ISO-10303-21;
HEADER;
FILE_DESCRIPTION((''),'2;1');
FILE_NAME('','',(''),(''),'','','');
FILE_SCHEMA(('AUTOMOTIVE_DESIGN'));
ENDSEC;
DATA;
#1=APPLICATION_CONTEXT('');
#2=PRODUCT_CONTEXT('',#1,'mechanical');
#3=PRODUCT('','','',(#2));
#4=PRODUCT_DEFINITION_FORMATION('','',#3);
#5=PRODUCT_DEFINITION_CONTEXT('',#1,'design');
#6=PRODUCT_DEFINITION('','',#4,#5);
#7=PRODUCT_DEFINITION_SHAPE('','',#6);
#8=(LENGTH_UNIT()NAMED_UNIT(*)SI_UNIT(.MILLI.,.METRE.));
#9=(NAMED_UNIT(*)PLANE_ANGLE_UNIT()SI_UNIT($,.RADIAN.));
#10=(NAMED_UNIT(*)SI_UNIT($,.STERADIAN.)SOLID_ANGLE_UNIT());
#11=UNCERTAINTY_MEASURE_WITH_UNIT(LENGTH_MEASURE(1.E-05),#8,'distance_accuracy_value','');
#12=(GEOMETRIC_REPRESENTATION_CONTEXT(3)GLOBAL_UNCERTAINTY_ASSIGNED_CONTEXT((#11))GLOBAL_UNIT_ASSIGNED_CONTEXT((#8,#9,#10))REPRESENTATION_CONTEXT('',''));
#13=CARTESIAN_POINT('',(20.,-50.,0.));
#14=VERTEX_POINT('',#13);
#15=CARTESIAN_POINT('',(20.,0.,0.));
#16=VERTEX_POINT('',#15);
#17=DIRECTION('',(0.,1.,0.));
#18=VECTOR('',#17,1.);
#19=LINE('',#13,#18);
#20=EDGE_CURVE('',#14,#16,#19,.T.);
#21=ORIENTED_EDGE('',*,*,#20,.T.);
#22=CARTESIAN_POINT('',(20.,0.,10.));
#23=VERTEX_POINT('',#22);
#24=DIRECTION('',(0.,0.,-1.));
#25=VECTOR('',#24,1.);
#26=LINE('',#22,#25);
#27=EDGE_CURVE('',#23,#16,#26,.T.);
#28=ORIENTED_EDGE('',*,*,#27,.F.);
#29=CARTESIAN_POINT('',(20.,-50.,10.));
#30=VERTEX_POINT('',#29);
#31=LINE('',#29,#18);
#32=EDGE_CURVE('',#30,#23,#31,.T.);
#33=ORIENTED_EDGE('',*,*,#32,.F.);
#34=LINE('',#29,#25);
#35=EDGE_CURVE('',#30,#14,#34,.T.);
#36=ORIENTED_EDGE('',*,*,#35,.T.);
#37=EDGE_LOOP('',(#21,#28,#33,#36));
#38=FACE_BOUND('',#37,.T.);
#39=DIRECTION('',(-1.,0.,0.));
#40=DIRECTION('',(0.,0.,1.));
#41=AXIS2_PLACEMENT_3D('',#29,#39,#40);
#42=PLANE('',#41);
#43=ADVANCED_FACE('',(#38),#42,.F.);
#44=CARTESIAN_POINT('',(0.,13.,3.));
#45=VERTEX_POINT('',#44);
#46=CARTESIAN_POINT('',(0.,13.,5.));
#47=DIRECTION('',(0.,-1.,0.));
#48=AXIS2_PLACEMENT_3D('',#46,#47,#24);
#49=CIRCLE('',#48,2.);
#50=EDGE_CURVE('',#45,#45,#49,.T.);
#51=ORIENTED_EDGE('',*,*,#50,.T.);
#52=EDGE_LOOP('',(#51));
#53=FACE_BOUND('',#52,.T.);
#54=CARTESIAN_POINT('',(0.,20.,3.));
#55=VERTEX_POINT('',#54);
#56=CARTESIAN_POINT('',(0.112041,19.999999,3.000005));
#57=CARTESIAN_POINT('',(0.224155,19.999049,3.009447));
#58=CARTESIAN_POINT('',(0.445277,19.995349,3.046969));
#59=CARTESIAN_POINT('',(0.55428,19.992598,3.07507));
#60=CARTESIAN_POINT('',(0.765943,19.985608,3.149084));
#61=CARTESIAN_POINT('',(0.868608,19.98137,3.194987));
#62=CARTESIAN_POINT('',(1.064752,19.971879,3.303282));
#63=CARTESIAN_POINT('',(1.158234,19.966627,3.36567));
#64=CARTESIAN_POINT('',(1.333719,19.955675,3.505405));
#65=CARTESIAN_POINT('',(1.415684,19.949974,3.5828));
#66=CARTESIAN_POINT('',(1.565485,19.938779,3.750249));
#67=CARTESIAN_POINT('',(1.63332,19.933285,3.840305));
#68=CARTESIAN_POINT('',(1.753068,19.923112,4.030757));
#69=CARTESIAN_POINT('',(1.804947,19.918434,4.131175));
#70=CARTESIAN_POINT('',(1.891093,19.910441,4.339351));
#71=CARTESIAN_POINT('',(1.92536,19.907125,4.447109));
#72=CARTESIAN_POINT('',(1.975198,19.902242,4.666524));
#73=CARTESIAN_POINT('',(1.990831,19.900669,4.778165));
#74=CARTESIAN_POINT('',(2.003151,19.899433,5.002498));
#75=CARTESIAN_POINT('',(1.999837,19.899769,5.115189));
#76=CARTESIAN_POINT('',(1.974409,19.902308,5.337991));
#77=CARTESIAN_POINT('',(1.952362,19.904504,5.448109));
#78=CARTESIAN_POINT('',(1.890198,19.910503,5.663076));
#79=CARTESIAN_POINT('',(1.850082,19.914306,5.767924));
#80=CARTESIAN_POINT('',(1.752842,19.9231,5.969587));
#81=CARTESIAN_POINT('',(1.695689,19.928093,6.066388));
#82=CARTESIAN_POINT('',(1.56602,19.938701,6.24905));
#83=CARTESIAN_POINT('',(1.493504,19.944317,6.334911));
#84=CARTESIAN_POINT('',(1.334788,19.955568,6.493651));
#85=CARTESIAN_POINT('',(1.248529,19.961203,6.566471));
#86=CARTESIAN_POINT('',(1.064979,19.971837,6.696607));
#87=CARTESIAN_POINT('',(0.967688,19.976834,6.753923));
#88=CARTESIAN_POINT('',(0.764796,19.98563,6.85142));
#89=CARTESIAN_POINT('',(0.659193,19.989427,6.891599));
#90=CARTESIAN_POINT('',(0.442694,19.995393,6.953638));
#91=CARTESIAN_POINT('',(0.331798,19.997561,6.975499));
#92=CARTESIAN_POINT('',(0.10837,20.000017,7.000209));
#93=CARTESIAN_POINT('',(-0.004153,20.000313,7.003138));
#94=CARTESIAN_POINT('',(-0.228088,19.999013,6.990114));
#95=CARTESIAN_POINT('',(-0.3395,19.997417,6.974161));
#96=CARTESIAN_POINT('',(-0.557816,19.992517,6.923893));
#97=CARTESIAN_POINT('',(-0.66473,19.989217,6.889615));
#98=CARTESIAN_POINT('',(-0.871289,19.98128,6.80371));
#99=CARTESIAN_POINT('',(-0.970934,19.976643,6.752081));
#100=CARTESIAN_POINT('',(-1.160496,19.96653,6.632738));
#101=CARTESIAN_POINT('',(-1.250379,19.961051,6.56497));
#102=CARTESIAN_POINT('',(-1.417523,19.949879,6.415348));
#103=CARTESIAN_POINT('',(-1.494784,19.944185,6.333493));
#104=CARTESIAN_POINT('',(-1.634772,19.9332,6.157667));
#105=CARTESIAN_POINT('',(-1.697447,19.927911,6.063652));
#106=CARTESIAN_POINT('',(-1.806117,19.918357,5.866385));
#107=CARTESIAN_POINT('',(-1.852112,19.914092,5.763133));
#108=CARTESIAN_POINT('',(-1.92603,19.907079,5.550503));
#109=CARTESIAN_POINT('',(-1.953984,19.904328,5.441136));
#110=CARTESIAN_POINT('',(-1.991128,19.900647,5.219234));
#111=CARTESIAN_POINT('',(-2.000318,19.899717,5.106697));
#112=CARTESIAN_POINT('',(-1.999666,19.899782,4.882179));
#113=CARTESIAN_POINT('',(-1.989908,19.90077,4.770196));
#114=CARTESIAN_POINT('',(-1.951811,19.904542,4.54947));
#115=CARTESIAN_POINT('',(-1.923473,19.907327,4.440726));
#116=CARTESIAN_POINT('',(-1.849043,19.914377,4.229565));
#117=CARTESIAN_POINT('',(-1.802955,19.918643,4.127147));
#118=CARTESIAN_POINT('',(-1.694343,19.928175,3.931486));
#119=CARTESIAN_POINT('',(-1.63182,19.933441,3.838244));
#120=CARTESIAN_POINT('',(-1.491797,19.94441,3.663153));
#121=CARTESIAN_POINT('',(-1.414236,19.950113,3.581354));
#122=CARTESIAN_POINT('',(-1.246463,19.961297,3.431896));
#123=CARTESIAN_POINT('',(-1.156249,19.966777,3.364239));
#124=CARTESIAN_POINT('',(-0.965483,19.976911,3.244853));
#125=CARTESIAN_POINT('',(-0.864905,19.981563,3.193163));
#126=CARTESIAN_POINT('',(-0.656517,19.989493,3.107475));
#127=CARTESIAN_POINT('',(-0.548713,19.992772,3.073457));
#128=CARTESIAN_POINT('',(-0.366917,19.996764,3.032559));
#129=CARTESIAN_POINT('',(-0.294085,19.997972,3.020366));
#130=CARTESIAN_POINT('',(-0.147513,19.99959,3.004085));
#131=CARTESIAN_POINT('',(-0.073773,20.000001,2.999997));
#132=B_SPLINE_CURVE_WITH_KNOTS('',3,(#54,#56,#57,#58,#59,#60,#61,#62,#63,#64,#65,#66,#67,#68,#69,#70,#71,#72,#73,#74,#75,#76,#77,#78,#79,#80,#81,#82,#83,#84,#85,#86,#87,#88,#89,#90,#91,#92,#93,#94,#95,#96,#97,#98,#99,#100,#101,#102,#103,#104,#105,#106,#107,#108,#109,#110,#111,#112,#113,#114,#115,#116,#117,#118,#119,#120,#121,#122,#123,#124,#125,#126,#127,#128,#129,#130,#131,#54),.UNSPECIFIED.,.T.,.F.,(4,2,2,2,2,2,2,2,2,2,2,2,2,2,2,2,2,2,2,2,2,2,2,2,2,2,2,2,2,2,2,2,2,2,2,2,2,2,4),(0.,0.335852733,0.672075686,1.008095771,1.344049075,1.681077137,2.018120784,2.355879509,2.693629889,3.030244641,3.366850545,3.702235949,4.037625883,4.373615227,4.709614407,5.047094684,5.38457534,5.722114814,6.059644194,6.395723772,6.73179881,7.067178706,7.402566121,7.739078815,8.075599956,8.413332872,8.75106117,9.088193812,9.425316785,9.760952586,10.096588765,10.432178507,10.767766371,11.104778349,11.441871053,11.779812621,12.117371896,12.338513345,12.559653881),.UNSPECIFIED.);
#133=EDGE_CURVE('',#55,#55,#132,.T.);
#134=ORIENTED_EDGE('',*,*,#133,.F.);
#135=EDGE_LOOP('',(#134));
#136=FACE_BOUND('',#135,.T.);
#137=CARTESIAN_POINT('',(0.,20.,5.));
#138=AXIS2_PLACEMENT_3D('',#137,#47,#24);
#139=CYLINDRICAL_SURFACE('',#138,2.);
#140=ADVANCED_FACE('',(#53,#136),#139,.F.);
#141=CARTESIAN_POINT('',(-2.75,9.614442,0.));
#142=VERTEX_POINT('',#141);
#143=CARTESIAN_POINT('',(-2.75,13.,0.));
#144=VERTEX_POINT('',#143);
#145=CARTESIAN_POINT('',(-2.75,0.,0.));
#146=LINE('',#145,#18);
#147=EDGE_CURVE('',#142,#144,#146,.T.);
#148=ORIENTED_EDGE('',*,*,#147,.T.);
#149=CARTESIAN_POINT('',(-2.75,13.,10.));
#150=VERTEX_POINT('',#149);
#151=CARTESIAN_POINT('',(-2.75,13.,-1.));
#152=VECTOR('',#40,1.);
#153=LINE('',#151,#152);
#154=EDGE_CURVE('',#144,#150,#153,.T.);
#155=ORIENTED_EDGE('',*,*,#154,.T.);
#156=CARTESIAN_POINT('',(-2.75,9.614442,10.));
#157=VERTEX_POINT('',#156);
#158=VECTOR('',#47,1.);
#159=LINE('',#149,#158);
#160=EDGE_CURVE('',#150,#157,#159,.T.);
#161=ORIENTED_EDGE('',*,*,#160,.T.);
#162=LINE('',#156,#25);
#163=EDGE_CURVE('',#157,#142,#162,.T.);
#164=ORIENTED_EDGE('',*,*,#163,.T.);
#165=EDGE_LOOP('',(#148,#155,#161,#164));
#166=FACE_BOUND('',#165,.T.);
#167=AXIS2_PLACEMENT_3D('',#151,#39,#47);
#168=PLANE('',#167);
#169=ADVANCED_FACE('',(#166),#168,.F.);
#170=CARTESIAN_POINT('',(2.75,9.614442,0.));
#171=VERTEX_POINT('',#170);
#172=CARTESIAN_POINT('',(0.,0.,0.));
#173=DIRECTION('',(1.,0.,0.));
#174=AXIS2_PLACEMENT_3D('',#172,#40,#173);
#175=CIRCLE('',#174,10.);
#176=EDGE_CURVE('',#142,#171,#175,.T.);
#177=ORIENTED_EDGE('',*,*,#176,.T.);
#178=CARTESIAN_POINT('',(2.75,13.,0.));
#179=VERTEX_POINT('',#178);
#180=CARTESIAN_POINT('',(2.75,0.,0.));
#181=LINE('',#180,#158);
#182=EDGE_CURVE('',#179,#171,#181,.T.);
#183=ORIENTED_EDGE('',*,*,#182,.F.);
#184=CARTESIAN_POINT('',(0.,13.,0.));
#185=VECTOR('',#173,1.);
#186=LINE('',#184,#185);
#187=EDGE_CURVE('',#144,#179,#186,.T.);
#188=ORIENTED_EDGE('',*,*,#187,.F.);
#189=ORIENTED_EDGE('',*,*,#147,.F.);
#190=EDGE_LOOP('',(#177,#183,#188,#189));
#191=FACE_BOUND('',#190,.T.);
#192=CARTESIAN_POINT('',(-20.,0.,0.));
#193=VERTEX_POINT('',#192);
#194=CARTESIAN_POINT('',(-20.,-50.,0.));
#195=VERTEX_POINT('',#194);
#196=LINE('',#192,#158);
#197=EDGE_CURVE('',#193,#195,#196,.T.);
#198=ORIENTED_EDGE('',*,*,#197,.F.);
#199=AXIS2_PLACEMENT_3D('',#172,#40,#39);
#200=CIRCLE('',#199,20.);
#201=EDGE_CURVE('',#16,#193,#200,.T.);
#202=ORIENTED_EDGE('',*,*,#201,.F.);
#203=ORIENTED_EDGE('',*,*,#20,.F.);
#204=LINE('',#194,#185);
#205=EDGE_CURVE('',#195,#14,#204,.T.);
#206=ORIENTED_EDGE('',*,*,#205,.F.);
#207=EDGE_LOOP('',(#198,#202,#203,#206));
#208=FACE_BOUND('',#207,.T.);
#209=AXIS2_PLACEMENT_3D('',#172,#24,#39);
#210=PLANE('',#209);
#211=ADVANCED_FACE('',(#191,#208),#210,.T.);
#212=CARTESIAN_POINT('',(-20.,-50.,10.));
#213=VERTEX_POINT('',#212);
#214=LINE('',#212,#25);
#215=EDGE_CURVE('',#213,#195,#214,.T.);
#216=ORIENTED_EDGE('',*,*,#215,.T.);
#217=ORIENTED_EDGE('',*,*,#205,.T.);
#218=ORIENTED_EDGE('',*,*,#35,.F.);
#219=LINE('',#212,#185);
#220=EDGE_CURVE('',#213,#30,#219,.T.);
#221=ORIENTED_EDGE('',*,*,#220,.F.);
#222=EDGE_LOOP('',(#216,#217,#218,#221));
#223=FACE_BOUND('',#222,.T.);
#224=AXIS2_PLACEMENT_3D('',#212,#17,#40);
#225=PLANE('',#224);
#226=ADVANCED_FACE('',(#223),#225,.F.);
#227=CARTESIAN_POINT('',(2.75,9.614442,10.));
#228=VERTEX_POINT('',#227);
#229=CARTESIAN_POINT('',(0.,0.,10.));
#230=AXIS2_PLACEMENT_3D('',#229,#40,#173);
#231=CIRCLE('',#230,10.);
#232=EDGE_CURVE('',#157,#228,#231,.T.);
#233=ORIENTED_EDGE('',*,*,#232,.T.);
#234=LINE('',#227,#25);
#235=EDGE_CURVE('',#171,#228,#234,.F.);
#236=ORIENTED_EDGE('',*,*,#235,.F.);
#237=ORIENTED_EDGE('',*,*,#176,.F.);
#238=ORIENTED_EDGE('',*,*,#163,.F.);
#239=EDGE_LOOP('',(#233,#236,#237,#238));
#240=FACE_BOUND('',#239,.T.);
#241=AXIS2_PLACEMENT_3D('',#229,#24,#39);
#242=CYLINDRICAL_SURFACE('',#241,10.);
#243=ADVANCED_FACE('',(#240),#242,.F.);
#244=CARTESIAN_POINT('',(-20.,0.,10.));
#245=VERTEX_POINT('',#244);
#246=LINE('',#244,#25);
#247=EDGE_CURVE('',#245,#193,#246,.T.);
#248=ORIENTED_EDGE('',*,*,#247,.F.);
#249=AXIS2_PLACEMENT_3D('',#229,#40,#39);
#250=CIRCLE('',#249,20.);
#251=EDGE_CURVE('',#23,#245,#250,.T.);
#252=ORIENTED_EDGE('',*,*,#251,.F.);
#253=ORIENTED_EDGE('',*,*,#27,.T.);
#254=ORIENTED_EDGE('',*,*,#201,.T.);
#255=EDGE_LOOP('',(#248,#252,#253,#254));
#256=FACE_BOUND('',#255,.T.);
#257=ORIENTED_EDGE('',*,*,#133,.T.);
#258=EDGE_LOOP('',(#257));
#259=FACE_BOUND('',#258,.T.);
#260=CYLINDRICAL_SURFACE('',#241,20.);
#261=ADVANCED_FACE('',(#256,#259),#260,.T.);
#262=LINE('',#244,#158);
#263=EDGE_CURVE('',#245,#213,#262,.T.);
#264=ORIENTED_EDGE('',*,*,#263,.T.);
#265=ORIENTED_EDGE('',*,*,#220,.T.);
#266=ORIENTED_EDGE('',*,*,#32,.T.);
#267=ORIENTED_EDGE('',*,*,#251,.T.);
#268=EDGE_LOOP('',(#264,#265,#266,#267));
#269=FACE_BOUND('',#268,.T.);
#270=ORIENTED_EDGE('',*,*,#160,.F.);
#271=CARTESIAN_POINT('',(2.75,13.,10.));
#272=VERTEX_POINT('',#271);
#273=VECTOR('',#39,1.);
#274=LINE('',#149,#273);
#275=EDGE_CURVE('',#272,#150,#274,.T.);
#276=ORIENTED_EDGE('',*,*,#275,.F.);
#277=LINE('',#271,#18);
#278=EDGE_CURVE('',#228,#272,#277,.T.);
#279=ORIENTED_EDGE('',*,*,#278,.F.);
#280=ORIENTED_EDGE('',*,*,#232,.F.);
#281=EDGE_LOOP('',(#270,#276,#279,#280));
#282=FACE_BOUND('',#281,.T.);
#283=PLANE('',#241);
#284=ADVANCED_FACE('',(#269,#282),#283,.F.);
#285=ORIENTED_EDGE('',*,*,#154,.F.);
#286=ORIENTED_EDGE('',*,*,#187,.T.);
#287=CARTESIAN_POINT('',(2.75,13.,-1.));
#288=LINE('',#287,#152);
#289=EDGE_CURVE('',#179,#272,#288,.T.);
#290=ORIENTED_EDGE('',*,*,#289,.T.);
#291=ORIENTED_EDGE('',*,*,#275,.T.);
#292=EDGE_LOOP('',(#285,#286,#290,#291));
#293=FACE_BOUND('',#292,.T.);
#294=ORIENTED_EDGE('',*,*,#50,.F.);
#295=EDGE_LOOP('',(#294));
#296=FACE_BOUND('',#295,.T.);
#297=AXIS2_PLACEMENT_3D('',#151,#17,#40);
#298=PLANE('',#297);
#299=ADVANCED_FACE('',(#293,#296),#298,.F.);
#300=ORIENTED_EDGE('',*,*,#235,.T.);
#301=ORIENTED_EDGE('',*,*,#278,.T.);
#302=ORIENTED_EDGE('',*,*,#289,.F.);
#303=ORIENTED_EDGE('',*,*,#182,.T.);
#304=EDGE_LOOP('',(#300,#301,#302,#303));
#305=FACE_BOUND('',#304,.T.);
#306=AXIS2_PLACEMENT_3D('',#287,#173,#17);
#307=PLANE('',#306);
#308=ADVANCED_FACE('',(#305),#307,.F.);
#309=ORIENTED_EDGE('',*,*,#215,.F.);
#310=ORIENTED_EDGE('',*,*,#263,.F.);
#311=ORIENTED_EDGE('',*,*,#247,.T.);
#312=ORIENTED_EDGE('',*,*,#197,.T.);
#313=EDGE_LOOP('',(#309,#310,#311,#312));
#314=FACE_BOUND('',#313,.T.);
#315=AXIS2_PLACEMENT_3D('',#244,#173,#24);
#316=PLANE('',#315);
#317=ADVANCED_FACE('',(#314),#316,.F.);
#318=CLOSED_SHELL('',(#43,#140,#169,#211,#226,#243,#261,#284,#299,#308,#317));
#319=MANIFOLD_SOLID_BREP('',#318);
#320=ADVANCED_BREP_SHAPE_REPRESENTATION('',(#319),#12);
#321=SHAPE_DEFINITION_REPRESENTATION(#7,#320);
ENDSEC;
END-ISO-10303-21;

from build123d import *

# Parameters (mm, degrees)
SKETCH1_R           = 10
BOSS_EXTRUDE1_DEPTH = 10
SKETCH3_W           = 5.5
SKETCH3_H           = 3.5
CUT_EXTRUDE2_DEPTH  = 11
SKETCH4_R           = 2
CUT_EXTRUDE3_DEPTH  = 7


with BuildPart() as part:
    # Sketch1 → Boss-Extrude1 (new body)
    with BuildSketch(Plane.XY):
        with BuildLine():
            Line((-20, 0), (-20, -50))
            Line((-20, -50), (20, -50))
            Line((20, -50), (20, 0))
            ThreePointArc((20, 0), (0, 20), (-20, 0))
        make_face()
        Circle(SKETCH1_R, mode=Mode.SUBTRACT)
    extrude(amount=BOSS_EXTRUDE1_DEPTH)

    # Sketch3 → Cut-Extrude2 (cut)
    with BuildSketch(Plane.XY.offset(10)):
        with Locations((0, 11.25)):
            Rectangle(SKETCH3_W, SKETCH3_H)
    extrude(amount=-CUT_EXTRUDE2_DEPTH, mode=Mode.SUBTRACT)

    # Sketch4 → Cut-Extrude3 (cut)
    with BuildSketch(Plane.XZ.offset(-13)):
        with Locations(Location((0, 5, 0), (0, 0, 270))):
            Circle(SKETCH4_R)
    extrude(amount=-CUT_EXTRUDE3_DEPTH, mode=Mode.SUBTRACT)


solid = part.part
